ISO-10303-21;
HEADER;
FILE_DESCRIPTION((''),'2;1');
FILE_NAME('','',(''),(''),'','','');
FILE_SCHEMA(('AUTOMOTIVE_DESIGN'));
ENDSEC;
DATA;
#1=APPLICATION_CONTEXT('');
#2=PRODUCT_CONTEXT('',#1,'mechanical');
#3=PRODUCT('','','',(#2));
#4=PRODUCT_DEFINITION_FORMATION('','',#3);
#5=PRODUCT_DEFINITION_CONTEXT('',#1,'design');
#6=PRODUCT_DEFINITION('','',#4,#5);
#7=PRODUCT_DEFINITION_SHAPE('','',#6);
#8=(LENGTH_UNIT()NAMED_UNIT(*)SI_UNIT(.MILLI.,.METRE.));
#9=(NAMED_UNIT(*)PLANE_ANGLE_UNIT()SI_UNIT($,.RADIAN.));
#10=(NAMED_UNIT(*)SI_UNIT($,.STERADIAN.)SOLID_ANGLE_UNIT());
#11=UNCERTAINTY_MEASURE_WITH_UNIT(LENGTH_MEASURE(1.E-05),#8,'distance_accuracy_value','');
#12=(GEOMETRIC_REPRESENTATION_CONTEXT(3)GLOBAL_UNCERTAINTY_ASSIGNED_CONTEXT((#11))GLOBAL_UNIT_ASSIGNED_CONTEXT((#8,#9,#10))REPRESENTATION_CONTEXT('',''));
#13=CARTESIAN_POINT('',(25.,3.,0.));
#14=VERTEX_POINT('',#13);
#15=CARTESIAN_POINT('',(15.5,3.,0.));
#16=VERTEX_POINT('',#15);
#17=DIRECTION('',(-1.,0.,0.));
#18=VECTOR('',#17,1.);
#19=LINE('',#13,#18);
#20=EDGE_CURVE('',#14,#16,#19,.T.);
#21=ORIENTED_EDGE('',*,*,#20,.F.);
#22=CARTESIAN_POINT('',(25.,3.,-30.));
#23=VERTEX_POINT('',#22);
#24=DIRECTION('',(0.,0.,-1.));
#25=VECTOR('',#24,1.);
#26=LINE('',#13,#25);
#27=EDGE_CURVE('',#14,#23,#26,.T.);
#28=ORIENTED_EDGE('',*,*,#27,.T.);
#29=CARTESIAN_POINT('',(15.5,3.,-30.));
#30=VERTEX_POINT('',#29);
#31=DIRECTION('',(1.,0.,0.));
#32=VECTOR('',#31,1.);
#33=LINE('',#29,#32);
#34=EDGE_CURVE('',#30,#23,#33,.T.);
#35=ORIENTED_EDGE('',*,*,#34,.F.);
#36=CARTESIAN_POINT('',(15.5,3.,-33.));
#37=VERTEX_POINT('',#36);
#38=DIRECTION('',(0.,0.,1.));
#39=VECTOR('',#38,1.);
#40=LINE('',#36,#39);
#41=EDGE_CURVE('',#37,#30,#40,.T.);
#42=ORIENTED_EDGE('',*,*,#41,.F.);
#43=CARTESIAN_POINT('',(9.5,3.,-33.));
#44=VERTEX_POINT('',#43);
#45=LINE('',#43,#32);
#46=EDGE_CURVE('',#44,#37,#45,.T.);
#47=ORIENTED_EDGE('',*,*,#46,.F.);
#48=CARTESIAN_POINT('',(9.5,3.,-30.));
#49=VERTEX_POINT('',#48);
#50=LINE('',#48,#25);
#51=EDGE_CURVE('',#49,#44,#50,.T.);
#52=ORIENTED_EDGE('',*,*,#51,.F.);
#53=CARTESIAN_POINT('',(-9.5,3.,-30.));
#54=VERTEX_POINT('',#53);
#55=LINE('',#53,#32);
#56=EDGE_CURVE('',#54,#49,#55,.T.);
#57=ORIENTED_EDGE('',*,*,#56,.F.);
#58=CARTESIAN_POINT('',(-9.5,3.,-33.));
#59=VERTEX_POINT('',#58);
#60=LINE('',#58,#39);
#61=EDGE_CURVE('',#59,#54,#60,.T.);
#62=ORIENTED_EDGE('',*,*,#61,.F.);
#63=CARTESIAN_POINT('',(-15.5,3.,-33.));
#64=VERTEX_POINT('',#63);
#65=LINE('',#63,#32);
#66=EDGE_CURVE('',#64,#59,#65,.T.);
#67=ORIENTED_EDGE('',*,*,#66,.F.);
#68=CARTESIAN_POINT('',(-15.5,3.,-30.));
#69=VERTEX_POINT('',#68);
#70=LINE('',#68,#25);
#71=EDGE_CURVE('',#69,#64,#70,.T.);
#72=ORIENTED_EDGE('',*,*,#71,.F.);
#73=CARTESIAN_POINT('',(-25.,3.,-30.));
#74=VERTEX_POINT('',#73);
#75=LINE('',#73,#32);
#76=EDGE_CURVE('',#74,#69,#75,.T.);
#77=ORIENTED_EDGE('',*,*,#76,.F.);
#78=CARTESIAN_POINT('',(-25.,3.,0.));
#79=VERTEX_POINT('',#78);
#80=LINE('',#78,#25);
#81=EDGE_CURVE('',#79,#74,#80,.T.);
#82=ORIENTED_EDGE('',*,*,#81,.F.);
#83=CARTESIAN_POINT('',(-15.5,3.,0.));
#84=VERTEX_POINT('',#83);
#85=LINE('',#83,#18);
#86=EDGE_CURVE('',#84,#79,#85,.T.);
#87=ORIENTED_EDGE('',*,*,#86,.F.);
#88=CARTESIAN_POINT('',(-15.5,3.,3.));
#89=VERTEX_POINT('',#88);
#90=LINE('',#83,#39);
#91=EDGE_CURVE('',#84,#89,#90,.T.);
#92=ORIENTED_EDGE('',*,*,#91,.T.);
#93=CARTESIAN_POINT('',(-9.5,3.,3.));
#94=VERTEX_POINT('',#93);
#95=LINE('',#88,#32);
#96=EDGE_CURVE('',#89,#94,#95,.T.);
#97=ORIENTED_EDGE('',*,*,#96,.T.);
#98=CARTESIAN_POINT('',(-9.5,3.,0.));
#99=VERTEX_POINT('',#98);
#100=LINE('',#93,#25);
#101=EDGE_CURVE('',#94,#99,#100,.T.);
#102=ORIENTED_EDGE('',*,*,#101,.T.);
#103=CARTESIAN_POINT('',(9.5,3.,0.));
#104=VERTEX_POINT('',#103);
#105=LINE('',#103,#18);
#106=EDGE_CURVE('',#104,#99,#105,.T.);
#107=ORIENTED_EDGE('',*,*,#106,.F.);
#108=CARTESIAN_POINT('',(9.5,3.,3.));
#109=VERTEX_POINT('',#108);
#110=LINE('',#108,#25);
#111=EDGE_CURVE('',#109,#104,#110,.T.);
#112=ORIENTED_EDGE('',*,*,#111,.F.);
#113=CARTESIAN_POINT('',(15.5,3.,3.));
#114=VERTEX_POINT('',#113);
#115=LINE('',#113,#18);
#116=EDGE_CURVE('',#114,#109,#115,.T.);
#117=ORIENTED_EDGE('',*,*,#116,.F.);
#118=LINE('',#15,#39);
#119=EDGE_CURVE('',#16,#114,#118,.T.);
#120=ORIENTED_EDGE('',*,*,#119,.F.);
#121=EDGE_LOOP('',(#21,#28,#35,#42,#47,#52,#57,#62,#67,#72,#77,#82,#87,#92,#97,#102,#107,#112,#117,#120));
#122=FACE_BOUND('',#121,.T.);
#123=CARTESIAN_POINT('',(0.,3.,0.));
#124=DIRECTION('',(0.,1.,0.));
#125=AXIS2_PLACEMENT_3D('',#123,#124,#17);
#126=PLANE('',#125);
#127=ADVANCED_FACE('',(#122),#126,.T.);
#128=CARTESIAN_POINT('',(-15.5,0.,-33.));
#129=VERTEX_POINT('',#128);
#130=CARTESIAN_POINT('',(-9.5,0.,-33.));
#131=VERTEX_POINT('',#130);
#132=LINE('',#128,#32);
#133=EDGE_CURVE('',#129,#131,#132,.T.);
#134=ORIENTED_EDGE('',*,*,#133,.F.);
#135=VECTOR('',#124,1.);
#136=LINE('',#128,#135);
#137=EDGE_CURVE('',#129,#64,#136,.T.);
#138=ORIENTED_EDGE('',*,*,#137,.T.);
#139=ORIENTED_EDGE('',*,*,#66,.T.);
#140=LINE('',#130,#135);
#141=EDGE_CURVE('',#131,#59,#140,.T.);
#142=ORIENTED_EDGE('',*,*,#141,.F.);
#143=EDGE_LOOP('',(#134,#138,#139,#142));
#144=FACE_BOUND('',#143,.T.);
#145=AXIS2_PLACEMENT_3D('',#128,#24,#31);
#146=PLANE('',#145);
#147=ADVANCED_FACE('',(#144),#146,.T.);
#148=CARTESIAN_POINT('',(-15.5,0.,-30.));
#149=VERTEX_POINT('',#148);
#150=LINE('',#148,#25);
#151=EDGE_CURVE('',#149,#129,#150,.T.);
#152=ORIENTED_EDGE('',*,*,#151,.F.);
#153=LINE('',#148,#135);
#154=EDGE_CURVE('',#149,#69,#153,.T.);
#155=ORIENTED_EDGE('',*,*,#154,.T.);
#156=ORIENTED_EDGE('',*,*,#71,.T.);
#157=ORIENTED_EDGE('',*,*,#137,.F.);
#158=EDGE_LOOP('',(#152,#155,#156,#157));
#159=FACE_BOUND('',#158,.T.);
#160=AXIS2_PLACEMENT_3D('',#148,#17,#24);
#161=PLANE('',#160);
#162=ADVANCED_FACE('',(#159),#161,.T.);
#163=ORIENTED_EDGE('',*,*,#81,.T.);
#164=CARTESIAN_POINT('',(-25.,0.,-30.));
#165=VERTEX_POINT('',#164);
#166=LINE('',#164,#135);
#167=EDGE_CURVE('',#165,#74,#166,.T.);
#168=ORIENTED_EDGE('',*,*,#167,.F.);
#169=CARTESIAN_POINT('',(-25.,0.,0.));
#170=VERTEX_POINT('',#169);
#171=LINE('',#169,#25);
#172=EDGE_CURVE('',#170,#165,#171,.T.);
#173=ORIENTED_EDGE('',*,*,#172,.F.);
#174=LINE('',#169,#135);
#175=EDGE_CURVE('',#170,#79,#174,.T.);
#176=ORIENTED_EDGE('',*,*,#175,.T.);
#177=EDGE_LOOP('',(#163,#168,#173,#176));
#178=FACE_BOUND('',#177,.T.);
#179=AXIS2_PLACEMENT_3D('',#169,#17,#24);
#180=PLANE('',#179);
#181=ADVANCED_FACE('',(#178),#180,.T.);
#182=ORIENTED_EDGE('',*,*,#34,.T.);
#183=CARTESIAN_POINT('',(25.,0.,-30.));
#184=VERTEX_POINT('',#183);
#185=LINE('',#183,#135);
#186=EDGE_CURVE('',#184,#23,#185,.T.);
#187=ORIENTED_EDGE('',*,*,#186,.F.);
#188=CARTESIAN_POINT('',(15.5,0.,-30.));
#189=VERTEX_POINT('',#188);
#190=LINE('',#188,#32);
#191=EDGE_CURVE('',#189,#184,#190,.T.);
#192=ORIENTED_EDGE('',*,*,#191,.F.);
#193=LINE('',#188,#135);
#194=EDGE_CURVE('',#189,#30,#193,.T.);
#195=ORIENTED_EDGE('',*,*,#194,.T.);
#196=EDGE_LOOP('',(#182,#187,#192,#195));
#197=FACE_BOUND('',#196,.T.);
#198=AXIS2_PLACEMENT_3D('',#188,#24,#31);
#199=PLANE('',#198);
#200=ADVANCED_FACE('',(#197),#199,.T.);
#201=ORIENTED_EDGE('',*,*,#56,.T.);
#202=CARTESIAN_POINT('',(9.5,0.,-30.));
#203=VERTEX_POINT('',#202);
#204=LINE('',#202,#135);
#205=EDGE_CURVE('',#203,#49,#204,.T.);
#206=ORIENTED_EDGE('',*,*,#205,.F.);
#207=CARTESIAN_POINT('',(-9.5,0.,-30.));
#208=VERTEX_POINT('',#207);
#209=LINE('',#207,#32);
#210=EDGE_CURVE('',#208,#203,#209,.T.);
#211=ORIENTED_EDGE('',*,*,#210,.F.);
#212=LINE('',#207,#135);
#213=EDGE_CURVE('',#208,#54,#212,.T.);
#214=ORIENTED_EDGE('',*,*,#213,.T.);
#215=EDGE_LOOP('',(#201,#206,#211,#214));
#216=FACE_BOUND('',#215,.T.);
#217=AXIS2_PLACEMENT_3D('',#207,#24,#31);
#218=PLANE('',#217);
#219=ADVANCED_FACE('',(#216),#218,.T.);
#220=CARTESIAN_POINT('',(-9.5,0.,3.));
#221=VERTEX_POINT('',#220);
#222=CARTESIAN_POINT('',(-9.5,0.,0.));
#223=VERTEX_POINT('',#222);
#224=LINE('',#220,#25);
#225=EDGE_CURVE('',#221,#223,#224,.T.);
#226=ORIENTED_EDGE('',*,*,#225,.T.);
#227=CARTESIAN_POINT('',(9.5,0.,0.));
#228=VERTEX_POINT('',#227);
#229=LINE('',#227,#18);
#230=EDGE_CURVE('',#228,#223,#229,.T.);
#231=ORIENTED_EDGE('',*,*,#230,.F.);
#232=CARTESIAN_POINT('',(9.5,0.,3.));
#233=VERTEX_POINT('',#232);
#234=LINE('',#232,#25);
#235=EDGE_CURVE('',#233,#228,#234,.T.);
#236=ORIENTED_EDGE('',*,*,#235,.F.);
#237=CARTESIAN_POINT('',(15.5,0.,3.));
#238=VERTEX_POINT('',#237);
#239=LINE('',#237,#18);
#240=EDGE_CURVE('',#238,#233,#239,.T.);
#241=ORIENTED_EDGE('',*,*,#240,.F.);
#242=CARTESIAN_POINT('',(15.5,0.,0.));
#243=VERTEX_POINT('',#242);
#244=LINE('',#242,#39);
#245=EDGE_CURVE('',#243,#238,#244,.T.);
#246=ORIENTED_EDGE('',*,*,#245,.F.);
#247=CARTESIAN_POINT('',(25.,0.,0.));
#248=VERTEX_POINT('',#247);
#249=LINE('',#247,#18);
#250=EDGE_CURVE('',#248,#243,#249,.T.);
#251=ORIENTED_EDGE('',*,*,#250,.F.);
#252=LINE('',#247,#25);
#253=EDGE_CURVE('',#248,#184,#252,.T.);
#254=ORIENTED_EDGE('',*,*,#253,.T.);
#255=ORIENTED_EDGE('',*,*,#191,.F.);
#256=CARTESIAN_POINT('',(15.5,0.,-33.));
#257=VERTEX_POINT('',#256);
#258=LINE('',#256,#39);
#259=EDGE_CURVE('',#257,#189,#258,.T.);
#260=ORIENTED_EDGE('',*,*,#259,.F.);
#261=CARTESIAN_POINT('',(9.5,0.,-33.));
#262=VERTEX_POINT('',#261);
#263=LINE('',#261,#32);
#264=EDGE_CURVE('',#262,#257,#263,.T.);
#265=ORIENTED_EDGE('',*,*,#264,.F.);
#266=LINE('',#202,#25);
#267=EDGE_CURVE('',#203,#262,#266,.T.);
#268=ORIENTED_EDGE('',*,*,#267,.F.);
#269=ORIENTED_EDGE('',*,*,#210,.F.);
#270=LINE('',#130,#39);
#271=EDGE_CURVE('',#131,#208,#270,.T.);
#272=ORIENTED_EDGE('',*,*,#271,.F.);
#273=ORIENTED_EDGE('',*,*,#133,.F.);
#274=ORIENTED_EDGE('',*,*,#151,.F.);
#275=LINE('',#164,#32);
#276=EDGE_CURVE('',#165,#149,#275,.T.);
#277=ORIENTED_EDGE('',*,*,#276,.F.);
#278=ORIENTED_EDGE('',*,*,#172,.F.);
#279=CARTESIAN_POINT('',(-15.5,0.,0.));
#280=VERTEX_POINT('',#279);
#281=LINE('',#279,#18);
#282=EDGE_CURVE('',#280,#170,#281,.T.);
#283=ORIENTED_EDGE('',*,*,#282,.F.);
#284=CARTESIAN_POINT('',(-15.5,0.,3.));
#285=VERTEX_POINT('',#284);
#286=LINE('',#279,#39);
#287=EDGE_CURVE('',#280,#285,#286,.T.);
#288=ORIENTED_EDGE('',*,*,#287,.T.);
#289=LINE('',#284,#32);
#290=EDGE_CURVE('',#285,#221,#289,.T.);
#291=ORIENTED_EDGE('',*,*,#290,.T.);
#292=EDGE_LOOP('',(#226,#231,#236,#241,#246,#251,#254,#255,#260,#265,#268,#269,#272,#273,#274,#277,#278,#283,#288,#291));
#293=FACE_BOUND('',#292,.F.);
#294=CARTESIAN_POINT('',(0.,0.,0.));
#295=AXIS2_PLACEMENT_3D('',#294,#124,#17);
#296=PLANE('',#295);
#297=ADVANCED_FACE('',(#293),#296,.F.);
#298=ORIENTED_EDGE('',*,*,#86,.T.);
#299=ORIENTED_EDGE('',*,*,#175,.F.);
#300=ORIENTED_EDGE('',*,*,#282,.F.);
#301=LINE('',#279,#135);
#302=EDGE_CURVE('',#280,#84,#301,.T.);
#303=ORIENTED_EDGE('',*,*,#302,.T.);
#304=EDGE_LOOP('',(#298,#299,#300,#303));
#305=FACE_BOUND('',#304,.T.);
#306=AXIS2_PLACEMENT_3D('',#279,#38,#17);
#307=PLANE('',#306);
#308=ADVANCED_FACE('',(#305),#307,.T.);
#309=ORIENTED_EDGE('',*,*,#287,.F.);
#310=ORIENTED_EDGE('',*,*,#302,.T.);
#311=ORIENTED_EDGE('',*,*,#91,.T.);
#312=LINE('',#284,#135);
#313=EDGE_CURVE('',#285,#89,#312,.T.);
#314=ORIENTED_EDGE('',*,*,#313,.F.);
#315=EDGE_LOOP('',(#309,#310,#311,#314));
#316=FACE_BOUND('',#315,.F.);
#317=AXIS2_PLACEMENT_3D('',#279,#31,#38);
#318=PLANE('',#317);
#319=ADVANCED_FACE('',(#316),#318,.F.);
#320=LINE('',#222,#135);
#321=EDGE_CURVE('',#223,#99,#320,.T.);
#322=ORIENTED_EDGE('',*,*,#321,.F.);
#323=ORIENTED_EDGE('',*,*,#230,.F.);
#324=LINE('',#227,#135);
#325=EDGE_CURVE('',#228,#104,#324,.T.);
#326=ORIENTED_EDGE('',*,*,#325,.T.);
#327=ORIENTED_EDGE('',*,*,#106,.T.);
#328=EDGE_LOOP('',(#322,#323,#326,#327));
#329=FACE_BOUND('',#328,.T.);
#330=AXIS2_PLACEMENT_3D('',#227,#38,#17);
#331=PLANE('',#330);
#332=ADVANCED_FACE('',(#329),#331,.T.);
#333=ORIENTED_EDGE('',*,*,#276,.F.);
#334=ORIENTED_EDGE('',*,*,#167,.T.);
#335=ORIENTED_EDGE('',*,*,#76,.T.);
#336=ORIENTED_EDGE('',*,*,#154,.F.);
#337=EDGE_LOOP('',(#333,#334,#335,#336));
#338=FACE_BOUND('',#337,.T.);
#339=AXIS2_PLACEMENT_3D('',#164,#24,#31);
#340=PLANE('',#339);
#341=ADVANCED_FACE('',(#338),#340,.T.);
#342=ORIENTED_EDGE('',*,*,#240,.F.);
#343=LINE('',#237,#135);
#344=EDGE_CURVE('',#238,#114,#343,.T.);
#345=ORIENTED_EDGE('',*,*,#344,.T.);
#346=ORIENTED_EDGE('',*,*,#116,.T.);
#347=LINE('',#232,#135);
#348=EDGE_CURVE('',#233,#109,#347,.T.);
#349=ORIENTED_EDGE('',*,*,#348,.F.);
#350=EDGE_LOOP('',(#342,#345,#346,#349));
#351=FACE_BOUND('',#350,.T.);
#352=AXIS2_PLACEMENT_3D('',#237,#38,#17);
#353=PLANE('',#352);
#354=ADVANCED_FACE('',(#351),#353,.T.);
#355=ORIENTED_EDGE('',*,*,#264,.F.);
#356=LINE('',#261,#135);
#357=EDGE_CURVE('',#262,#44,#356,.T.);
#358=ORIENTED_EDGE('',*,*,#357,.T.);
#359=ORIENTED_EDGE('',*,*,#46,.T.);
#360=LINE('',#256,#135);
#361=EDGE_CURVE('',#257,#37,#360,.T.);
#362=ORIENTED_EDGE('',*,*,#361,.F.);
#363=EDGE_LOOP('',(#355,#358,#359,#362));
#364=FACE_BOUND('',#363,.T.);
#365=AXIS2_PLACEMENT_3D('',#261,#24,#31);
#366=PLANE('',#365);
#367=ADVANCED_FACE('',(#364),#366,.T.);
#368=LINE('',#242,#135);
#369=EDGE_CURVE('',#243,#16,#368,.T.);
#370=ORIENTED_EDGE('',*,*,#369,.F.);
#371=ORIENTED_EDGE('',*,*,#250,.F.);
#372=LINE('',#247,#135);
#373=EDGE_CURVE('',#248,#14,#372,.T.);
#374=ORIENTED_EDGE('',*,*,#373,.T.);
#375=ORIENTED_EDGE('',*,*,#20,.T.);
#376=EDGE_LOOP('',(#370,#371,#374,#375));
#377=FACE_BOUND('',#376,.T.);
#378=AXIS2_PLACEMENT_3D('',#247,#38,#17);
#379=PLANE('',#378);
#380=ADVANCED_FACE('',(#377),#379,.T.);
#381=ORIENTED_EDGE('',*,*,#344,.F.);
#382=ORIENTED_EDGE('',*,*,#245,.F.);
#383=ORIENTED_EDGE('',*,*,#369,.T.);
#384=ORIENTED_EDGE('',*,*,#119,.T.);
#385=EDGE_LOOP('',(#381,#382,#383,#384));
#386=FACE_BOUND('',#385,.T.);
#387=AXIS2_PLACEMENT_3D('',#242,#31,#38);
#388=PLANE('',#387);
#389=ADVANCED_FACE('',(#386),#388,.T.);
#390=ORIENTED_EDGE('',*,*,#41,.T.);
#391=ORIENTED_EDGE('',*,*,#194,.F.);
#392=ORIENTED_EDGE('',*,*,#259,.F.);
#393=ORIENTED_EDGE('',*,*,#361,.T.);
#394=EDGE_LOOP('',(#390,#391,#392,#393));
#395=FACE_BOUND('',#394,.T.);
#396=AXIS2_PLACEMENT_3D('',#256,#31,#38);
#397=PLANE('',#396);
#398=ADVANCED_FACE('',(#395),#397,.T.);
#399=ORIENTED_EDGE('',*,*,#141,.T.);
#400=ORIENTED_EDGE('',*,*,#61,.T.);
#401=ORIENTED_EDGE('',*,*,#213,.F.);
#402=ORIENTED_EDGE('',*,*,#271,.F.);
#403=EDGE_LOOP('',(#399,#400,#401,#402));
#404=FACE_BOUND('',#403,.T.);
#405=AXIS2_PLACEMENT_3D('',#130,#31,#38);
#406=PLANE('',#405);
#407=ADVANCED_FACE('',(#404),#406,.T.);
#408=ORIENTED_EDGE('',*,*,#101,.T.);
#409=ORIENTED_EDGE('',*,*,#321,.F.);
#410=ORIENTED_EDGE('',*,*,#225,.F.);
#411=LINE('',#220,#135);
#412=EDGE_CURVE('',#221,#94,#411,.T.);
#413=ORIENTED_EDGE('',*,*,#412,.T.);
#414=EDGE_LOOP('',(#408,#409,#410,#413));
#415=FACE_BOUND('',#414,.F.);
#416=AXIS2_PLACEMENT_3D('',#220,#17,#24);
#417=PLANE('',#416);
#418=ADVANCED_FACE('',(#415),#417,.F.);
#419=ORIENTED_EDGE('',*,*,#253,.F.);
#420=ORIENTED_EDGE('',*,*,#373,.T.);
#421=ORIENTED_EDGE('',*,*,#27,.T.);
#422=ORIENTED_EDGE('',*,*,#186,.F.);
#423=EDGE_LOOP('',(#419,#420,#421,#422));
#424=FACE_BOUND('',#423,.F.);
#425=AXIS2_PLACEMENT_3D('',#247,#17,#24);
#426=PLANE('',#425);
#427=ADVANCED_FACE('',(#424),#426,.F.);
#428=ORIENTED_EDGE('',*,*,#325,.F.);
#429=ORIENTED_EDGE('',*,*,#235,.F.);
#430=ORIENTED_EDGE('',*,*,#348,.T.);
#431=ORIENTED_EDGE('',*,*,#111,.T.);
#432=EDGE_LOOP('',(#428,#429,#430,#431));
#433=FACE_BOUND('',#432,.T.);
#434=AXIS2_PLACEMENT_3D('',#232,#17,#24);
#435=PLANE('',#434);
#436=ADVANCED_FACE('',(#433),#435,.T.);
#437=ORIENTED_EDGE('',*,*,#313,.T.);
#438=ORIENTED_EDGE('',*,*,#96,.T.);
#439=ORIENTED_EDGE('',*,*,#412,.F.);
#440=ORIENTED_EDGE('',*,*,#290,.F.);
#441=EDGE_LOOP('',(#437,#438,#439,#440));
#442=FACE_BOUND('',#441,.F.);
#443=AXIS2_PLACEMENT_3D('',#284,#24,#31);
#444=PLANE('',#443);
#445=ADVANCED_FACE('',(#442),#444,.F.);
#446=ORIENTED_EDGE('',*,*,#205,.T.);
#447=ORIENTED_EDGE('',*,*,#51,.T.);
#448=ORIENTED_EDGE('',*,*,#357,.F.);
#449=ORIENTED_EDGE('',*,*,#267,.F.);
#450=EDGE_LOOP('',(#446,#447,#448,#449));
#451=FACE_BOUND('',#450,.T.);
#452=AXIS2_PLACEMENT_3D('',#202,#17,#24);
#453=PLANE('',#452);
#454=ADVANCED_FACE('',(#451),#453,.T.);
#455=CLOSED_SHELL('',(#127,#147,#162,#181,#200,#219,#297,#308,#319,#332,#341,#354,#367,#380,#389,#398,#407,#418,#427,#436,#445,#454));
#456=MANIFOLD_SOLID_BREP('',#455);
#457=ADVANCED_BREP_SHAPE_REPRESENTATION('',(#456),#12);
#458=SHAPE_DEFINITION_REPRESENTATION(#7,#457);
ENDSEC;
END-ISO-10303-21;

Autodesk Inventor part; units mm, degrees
ref_plane "YZ Plane" through (0, 0, 0) normal (1, 0, 0) x (0, 1, 0)
ref_plane "XZ Plane" through (0, 0, 0) normal (0, 1, 0) x (-1, 0, 0)
ref_plane "XY Plane" through (0, 0, 0) normal (0, 0, 1) x (1, 0, 0)
sketch "Sketch1" plane through (0, 0, 0) normal (0, 1, 0) x (-1, 0, 0)
  line L0 (-15.5, 0) -> (-15.5, 3)
  line L1 (-15.5, 3) -> (-9.5, 3)
  line L2 (-9.5, 3) -> (-9.5, 0)
  line L3 (15.5, 0) -> (15.5, 3)
  line L4 (15.5, 3) -> (9.5, 3)
  line L5 (9.5, 3) -> (9.5, 0)
  line L6 (-15.5, 0) -> (-15.5, 3)
  line L7 (-15.5, 3) -> (-9.5, 3)
  line L8 (-9.5, 3) -> (-9.5, 0)
  line L9 (15.5, 0) -> (15.5, 3)
  line L10 (15.5, 3) -> (9.5, 3)
  line L11 (9.5, 3) -> (9.5, 0)
  line L12 (-25, 0) -> (-15.5, 0)
  line L13 (-9.5, 0) -> (9.5, 0)
  line L14 (15.5, 0) -> (25, 0)
  line L15 (25, 0) -> (25, -30)
  line L16 (-25, 0) -> (-25, -30)
  line L17 (25, -30) -> (15.5, -30)
  line L18 (15.5, -30) -> (15.5, -33)
  line L19 (15.5, -33) -> (9.5, -33)
  line L20 (9.5, -33) -> (9.5, -30)
  line L21 (9.5, -30) -> (-9.5, -30)
  line L22 (-9.5, -30) -> (-9.5, -33)
  line L23 (-9.5, -33) -> (-15.5, -33)
  line L24 (-15.5, -33) -> (-15.5, -30)
  line L25 (-15.5, -30) -> (-25, -30)
  point P0 (0, 0)
  dimension "d3" = 3
  dimension "d4" = 6
  dimension "d7" = 3
  dimension "d8" = 6
  dimension "d12" = 3
  dimension "d13" = 6
  dimension "d16" = 3
  dimension "d17" = 6
  dimension "d19" = 30
  dimension "d20" = 30
  dimension "d21" = 3
extrude "Extrusion1" add sketch "Sketch1" along normal blind 3
properties part number "Ball Capture Zone Cover plate" material "Rubber"
